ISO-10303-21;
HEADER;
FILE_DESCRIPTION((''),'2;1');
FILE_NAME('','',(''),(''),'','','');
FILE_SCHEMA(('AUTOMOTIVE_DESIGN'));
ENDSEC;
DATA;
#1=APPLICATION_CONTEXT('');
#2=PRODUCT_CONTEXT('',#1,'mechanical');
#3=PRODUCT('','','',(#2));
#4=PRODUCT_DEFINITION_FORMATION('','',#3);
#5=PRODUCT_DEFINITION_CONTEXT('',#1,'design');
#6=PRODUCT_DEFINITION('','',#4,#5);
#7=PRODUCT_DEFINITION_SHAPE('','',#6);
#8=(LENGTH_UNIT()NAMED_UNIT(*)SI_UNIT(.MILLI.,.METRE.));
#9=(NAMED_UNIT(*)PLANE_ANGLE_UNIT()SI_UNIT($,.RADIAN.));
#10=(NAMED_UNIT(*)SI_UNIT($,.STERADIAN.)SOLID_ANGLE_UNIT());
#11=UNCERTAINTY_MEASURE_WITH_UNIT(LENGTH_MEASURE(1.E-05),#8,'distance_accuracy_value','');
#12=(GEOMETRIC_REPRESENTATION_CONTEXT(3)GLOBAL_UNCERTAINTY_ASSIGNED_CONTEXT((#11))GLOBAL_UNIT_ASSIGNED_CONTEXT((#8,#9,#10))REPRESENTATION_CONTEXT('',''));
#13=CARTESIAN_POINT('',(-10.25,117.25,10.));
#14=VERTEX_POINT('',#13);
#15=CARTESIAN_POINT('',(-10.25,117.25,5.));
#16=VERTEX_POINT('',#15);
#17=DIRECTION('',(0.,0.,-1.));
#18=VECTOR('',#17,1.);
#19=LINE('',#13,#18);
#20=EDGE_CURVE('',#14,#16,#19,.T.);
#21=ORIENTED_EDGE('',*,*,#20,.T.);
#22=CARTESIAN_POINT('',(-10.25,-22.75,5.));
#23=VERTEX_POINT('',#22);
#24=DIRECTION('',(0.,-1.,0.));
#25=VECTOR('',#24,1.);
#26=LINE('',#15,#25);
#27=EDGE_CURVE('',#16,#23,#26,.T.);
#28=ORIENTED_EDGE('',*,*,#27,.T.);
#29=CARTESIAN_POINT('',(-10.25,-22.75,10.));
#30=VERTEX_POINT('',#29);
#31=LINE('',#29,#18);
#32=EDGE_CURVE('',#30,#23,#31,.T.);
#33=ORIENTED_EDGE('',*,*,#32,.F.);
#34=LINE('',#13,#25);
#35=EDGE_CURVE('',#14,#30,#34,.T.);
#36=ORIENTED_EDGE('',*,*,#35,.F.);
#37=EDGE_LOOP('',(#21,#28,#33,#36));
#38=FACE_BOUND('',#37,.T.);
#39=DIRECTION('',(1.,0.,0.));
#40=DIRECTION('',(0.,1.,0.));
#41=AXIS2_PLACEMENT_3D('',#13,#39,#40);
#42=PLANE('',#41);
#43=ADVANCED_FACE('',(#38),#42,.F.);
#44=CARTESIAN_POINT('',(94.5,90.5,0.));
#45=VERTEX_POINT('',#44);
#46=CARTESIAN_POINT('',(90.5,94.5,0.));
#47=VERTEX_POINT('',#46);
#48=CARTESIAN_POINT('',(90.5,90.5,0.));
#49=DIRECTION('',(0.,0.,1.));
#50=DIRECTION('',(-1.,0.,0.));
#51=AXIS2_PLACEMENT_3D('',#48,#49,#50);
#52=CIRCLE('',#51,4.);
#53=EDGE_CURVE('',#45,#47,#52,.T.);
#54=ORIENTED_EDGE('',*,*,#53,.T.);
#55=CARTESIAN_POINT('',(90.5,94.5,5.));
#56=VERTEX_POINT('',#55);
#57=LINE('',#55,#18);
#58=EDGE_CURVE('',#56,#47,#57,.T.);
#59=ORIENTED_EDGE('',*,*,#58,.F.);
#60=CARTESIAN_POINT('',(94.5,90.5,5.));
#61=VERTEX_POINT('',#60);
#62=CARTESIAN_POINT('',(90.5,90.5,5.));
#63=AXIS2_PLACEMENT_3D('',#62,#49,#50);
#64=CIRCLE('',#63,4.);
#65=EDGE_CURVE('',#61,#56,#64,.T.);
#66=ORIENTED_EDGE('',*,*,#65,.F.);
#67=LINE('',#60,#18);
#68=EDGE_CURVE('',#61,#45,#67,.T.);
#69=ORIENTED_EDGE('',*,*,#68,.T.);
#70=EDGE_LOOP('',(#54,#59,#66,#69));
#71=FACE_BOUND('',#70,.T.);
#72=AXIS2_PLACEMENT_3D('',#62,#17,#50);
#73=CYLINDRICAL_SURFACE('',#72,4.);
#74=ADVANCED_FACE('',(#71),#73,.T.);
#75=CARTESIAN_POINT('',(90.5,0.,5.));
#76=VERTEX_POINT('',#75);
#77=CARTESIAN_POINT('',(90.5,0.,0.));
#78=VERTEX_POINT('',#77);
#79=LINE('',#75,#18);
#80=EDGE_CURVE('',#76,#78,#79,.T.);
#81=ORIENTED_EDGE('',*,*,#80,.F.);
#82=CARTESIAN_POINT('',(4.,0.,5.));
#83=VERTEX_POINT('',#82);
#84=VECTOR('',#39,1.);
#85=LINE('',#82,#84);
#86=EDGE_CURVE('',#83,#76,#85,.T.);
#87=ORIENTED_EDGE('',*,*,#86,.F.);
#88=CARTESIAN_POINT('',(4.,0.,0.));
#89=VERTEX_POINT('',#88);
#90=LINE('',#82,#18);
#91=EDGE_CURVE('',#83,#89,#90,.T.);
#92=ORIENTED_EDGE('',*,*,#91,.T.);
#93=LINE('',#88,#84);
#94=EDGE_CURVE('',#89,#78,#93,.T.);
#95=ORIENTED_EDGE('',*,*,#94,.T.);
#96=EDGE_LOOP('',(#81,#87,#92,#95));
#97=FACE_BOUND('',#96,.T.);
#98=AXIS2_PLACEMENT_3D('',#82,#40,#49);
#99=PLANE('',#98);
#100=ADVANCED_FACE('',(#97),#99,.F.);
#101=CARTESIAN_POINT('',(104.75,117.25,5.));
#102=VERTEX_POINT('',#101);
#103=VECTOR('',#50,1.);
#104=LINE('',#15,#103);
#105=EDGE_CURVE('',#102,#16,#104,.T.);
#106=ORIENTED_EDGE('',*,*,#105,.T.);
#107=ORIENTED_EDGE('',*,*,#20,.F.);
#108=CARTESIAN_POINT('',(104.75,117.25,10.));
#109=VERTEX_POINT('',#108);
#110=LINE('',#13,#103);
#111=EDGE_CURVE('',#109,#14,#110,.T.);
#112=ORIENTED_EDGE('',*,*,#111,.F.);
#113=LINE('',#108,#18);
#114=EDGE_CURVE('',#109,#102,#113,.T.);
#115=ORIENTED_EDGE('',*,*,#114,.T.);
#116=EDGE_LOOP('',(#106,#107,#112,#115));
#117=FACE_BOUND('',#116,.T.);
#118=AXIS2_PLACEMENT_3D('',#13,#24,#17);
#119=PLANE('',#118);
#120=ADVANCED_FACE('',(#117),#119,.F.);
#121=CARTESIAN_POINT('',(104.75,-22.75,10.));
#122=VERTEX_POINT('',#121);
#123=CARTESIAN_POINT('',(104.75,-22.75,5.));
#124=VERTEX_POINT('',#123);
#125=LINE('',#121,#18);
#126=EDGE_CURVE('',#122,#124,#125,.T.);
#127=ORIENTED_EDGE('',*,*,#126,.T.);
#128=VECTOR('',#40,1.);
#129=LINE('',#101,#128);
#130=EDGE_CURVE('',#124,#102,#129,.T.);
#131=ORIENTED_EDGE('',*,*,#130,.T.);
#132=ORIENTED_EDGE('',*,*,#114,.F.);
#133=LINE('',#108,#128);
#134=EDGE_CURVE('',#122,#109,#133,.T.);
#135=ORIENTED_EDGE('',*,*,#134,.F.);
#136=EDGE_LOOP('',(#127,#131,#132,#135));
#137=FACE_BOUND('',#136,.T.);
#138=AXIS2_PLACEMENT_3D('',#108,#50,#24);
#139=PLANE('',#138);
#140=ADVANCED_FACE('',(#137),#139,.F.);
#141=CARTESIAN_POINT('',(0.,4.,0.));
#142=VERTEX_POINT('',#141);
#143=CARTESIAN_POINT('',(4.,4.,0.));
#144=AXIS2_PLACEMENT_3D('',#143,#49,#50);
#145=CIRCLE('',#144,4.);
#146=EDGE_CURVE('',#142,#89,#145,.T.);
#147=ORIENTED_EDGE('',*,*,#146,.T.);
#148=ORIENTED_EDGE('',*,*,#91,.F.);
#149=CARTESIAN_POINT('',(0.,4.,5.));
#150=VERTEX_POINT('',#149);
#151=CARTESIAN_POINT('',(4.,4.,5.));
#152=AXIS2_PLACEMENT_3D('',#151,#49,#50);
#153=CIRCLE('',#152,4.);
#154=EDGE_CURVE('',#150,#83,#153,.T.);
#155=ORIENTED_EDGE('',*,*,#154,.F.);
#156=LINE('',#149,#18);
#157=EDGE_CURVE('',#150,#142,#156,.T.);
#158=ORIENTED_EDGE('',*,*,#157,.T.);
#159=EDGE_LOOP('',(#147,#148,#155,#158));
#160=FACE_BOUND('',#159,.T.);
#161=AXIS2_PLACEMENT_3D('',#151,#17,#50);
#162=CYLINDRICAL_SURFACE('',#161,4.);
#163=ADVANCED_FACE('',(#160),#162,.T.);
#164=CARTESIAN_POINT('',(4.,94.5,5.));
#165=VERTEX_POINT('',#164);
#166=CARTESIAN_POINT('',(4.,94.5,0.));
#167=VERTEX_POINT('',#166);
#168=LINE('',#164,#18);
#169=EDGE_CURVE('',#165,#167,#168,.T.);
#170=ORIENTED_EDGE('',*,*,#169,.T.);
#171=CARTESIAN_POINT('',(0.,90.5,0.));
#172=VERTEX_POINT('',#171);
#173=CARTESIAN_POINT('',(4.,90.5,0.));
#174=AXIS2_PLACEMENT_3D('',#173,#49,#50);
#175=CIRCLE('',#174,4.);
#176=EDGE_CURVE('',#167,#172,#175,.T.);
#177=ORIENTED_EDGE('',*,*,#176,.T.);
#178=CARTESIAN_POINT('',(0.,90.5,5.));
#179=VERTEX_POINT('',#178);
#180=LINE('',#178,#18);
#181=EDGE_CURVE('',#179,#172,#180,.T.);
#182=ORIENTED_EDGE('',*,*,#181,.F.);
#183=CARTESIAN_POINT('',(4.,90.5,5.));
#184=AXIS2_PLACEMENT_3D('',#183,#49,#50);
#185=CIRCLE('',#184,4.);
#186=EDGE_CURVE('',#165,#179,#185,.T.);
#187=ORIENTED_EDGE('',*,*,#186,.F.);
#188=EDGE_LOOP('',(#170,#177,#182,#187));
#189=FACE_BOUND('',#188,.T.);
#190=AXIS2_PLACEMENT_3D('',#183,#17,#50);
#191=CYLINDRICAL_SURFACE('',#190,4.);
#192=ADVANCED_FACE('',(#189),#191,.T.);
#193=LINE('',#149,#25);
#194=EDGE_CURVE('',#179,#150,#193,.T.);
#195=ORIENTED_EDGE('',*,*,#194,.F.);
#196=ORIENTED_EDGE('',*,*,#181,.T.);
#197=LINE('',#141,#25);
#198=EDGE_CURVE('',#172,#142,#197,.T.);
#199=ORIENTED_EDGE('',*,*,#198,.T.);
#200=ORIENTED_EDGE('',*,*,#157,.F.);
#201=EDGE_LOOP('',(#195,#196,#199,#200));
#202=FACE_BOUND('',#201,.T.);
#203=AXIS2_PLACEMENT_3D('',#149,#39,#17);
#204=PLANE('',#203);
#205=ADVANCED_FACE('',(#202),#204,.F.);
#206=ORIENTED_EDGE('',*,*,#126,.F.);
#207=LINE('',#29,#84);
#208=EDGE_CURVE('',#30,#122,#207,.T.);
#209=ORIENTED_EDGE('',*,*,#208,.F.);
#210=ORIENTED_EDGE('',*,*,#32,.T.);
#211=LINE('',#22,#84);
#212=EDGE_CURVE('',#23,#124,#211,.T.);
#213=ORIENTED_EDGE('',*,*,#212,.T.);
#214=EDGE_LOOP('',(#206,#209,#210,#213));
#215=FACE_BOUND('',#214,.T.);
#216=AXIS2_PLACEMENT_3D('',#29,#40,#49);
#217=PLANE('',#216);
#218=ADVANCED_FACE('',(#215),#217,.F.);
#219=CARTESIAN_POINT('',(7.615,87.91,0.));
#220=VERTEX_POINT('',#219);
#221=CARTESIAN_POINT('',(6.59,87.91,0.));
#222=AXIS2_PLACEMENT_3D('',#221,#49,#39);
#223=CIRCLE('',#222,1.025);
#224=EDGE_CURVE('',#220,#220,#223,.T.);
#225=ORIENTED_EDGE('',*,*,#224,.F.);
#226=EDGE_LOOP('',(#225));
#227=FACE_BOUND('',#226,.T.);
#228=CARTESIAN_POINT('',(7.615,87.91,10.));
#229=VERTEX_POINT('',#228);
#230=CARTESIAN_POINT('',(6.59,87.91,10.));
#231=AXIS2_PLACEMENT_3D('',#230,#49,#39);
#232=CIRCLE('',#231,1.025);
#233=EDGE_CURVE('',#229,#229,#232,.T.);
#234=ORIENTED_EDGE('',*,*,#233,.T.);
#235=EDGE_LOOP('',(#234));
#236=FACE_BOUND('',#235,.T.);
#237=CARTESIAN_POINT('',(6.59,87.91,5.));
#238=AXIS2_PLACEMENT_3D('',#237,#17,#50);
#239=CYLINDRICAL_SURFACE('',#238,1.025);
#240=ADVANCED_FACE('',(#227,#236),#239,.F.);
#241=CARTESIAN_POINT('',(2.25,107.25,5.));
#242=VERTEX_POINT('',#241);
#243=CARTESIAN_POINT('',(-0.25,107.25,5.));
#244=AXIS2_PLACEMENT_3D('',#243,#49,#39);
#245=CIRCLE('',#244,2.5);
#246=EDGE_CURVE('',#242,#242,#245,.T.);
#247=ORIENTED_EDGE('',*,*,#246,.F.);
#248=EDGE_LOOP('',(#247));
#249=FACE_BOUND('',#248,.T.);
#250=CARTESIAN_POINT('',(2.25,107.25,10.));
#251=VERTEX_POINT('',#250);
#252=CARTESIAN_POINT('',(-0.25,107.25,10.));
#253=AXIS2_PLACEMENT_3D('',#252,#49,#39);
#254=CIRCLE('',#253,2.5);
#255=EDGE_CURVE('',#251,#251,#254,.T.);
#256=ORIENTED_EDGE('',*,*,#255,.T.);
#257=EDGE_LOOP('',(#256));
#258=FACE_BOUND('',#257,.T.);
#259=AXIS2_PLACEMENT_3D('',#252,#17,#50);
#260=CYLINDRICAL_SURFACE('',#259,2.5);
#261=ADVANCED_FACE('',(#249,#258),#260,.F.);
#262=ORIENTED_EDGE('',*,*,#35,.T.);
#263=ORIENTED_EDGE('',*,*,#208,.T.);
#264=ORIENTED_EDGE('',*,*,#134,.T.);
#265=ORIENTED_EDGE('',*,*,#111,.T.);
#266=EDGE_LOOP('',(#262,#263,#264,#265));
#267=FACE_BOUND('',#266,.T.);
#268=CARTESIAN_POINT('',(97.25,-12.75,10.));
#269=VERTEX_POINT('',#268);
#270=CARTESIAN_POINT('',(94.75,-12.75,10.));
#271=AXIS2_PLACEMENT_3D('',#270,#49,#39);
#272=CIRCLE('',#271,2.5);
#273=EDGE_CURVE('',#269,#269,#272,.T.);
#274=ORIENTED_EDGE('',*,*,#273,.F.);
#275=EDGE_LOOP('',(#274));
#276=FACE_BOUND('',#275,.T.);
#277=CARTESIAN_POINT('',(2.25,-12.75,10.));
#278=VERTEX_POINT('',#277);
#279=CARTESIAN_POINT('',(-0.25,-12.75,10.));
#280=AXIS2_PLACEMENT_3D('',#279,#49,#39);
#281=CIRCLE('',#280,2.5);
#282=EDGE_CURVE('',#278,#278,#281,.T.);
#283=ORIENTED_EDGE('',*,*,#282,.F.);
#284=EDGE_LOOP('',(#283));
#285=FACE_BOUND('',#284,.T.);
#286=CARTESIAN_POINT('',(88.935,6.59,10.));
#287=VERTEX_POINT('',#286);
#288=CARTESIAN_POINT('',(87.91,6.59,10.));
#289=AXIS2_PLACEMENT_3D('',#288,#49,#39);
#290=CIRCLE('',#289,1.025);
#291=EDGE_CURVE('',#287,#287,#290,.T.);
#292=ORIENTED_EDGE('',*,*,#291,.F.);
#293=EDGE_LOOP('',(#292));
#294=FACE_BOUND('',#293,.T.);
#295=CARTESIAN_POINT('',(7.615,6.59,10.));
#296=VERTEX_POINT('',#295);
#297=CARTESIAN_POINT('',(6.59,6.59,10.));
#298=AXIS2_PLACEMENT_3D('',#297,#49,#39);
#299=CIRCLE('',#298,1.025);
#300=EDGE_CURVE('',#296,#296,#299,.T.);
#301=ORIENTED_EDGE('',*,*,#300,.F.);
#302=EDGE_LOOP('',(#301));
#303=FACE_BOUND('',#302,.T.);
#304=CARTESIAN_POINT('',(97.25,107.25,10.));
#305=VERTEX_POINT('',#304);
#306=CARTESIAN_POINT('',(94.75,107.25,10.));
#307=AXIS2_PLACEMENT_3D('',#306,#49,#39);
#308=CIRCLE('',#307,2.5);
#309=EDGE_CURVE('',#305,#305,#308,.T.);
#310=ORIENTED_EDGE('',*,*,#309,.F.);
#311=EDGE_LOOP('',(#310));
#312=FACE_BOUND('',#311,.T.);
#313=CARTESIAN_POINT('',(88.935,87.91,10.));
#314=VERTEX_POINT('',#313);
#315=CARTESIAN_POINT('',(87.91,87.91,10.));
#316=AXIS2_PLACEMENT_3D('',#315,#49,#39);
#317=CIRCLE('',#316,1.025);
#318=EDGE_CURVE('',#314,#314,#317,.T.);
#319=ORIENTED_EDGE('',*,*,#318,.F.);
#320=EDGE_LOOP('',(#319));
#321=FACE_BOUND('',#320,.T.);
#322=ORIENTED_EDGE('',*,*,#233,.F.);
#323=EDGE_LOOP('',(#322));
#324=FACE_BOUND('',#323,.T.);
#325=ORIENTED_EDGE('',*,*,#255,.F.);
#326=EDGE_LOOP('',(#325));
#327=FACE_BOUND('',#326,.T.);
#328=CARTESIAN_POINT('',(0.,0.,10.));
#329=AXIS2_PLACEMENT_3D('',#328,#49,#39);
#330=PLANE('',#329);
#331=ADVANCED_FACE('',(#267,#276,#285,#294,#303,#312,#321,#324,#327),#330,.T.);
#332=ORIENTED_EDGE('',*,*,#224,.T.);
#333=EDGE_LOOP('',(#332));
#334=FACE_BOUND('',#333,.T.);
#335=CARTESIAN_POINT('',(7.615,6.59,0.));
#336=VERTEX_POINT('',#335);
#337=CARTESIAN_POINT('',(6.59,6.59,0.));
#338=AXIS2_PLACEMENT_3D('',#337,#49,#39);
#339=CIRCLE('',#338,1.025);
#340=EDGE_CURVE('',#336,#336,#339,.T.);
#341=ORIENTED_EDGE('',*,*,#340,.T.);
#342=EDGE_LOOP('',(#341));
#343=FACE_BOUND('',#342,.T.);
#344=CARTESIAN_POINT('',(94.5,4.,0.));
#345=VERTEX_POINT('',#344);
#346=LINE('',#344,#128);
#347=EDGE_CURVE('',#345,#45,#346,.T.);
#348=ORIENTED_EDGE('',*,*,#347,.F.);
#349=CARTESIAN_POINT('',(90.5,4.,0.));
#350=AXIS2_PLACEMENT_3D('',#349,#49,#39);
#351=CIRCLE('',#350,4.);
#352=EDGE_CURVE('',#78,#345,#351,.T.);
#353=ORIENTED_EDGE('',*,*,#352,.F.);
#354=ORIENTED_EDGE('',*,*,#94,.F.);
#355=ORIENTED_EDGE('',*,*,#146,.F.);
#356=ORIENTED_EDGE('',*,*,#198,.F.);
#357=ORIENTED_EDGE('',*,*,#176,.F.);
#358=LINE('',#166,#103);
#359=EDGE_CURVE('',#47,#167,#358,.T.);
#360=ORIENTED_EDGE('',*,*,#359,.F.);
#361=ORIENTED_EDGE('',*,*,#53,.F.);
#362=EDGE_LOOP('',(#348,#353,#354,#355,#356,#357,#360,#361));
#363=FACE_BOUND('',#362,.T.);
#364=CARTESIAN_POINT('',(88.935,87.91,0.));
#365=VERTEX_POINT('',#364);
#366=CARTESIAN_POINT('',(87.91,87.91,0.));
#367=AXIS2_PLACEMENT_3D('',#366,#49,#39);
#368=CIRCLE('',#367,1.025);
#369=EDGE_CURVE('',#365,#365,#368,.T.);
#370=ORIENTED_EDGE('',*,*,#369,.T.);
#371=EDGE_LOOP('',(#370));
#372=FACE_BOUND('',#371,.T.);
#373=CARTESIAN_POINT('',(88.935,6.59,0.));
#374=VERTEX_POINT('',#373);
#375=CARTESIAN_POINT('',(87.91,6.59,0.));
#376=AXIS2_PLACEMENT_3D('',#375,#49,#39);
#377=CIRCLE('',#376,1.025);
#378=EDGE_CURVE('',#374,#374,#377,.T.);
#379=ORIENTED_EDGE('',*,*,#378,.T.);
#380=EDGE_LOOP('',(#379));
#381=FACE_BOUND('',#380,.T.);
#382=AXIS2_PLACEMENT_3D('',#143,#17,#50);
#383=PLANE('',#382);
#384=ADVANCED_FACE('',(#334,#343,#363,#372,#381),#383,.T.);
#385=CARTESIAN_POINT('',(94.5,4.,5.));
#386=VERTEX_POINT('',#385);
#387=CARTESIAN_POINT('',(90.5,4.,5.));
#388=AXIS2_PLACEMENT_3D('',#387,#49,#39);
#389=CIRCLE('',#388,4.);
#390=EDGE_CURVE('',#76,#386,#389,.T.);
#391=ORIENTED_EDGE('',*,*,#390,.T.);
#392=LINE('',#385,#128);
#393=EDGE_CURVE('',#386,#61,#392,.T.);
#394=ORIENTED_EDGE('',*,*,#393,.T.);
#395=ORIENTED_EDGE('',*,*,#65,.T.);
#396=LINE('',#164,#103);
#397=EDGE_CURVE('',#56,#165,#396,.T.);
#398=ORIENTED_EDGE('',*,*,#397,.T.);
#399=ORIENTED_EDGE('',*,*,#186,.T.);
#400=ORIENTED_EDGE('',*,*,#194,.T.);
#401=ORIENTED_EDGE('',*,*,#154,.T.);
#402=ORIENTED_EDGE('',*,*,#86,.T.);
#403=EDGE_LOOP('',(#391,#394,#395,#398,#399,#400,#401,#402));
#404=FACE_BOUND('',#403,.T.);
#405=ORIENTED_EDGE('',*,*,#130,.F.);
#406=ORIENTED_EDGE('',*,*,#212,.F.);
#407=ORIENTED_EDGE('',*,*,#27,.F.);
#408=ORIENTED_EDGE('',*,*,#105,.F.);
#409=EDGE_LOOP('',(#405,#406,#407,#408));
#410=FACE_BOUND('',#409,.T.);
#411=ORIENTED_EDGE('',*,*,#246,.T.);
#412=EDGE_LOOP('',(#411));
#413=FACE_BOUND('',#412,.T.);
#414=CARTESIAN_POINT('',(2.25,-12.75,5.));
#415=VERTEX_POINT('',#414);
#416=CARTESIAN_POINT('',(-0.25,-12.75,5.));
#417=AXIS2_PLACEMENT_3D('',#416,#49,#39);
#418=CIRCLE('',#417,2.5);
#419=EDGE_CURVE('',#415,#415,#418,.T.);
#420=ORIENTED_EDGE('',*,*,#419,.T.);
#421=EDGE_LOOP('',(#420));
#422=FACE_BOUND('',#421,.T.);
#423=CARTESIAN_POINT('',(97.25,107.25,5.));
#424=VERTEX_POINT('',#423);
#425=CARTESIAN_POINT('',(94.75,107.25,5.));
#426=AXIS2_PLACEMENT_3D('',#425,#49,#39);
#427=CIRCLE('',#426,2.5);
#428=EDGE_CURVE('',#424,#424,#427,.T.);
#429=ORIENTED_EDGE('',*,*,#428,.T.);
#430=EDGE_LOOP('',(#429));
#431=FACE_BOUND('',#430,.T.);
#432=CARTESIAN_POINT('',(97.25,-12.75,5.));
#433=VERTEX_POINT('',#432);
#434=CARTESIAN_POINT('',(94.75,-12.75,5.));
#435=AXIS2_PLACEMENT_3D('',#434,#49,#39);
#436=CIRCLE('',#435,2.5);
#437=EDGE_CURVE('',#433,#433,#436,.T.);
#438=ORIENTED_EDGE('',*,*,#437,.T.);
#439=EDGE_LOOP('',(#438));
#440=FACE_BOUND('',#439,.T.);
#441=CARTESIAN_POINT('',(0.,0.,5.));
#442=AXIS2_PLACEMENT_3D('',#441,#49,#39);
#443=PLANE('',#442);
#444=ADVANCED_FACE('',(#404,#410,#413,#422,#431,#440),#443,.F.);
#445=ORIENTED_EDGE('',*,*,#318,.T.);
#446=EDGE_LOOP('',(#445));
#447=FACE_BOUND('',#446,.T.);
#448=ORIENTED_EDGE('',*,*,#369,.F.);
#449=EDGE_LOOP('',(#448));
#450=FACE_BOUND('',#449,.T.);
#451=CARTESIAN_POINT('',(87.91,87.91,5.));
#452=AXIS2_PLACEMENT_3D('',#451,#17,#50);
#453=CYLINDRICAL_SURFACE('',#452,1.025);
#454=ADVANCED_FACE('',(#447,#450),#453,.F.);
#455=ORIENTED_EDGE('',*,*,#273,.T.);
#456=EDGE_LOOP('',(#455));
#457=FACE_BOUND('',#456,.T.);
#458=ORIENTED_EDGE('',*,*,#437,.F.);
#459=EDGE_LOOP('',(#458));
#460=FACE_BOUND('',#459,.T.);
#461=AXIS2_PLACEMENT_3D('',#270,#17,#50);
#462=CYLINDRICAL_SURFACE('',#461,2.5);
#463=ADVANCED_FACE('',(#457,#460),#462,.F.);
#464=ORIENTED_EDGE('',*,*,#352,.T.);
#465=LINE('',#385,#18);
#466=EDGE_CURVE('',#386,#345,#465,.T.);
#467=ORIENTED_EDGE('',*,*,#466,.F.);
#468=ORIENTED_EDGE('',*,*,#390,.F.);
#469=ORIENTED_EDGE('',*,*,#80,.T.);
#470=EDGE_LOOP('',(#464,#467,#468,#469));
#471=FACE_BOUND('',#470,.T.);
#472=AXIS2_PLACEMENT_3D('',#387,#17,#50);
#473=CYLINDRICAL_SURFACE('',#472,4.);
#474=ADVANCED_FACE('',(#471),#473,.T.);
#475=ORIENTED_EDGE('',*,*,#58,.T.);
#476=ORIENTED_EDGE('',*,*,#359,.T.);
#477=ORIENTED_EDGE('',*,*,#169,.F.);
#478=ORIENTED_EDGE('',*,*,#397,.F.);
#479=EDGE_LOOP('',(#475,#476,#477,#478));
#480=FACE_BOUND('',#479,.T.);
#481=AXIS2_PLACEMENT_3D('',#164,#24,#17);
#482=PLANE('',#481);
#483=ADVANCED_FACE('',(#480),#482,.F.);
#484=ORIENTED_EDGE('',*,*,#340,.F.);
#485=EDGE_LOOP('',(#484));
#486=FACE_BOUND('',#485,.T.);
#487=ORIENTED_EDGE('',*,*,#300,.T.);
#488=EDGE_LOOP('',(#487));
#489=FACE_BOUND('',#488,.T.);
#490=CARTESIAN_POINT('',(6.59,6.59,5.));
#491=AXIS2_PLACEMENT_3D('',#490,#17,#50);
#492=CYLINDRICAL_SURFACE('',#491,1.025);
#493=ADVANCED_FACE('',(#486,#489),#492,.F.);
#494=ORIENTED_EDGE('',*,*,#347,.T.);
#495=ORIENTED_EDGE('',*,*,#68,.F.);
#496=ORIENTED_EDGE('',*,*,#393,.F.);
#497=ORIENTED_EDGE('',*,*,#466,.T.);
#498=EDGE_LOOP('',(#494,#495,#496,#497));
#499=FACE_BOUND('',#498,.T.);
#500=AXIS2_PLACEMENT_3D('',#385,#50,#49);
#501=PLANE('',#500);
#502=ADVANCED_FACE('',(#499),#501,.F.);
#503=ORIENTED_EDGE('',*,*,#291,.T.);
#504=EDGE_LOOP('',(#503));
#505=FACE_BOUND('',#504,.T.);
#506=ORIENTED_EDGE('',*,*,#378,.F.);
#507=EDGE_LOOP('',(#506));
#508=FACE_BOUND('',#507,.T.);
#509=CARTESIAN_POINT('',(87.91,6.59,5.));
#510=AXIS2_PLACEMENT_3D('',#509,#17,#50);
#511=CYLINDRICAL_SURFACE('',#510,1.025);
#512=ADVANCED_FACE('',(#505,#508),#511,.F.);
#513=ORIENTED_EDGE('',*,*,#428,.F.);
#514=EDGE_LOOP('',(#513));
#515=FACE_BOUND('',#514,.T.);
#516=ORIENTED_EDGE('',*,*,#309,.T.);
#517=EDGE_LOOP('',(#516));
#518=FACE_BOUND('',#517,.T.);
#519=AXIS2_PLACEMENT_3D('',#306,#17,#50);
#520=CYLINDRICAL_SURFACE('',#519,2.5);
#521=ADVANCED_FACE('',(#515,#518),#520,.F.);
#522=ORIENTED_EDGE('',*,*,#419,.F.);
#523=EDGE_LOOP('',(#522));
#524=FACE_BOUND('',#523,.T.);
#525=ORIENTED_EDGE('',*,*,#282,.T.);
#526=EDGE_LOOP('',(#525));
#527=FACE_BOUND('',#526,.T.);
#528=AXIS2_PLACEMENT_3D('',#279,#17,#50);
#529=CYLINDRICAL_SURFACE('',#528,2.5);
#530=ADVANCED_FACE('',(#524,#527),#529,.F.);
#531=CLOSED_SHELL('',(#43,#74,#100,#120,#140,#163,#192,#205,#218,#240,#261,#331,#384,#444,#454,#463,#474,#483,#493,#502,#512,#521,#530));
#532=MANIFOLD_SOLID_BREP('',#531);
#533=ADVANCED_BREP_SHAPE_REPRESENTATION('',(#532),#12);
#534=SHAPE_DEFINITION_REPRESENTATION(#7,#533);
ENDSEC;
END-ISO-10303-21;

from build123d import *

# Parameters (mm, degrees)
SKETCH1_R           = 1.025
BOSS_EXTRUDE1_DEPTH = 5
SKETCH2_W           = 115
SKETCH2_H           = 140
SKETCH2_R           = 2.5
BOSS_EXTRUDE2_DEPTH = 5
CUT_EXTRUDE1_START  = -10
SKETCH3_R           = 1.025
CUT_EXTRUDE1_DEPTH  = 5


with BuildPart() as part:
    # Sketch1 → Boss-Extrude1 (new body)
    with BuildSketch(Plane.XY):
        with BuildLine():
            Line((4, 0), (90.5, 0))
            ThreePointArc((90.5, 0), (93.328427125, 1.171572875), (94.5, 4))
            Line((94.5, 4), (94.5, 90.5))
            ThreePointArc((94.5, 90.5), (93.328427125, 93.328427125), (90.5, 94.5))
            Line((90.5, 94.5), (4, 94.5))
            ThreePointArc((4, 94.5), (1.171572875, 93.328427125), (0, 90.5))
            Line((0, 90.5), (0, 4))
            ThreePointArc((0, 4), (1.171572875, 1.171572875), (4, 0))
        make_face()
        with Locations((6.59, 87.91)):
            Circle(SKETCH1_R, mode=Mode.SUBTRACT)
        with Locations((87.91, 87.91)):
            Circle(SKETCH1_R, mode=Mode.SUBTRACT)
        with Locations((6.59, 6.59)):
            Circle(SKETCH1_R, mode=Mode.SUBTRACT)
        with Locations((87.91, 6.59)):
            Circle(SKETCH1_R, mode=Mode.SUBTRACT)
    extrude(amount=BOSS_EXTRUDE1_DEPTH)

    # Sketch2 → Boss-Extrude2 (add)
    with BuildSketch(Plane.XY.offset(5)):
        with Locations((47.25, 47.25)):
            Rectangle(SKETCH2_W, SKETCH2_H)
        with Locations((94.75, 107.25)):
            Circle(SKETCH2_R, mode=Mode.SUBTRACT)
        with Locations((94.75, -12.75)):
            Circle(SKETCH2_R, mode=Mode.SUBTRACT)
        with Locations((-0.25, 107.25)):
            Circle(SKETCH2_R, mode=Mode.SUBTRACT)
        with Locations((-0.25, -12.75)):
            Circle(SKETCH2_R, mode=Mode.SUBTRACT)
    extrude(amount=BOSS_EXTRUDE2_DEPTH)

    # Sketch3 → Cut-Extrude1 (cut)
    with BuildSketch(Plane(origin=(0, 0, 0), x_dir=(-1, 0, 0), z_dir=(0, 0, -1)).offset(CUT_EXTRUDE1_START)):
        with Locations((-87.91, 6.59)):
            Circle(SKETCH3_R)
        with Locations((-6.59, 6.59)):
            Circle(SKETCH3_R)
        with Locations((-6.59, 87.91)):
            Circle(SKETCH3_R)
        with Locations((-87.91, 87.91)):
            Circle(SKETCH3_R)
    extrude(amount=CUT_EXTRUDE1_DEPTH, mode=Mode.SUBTRACT)


solid = part.part
